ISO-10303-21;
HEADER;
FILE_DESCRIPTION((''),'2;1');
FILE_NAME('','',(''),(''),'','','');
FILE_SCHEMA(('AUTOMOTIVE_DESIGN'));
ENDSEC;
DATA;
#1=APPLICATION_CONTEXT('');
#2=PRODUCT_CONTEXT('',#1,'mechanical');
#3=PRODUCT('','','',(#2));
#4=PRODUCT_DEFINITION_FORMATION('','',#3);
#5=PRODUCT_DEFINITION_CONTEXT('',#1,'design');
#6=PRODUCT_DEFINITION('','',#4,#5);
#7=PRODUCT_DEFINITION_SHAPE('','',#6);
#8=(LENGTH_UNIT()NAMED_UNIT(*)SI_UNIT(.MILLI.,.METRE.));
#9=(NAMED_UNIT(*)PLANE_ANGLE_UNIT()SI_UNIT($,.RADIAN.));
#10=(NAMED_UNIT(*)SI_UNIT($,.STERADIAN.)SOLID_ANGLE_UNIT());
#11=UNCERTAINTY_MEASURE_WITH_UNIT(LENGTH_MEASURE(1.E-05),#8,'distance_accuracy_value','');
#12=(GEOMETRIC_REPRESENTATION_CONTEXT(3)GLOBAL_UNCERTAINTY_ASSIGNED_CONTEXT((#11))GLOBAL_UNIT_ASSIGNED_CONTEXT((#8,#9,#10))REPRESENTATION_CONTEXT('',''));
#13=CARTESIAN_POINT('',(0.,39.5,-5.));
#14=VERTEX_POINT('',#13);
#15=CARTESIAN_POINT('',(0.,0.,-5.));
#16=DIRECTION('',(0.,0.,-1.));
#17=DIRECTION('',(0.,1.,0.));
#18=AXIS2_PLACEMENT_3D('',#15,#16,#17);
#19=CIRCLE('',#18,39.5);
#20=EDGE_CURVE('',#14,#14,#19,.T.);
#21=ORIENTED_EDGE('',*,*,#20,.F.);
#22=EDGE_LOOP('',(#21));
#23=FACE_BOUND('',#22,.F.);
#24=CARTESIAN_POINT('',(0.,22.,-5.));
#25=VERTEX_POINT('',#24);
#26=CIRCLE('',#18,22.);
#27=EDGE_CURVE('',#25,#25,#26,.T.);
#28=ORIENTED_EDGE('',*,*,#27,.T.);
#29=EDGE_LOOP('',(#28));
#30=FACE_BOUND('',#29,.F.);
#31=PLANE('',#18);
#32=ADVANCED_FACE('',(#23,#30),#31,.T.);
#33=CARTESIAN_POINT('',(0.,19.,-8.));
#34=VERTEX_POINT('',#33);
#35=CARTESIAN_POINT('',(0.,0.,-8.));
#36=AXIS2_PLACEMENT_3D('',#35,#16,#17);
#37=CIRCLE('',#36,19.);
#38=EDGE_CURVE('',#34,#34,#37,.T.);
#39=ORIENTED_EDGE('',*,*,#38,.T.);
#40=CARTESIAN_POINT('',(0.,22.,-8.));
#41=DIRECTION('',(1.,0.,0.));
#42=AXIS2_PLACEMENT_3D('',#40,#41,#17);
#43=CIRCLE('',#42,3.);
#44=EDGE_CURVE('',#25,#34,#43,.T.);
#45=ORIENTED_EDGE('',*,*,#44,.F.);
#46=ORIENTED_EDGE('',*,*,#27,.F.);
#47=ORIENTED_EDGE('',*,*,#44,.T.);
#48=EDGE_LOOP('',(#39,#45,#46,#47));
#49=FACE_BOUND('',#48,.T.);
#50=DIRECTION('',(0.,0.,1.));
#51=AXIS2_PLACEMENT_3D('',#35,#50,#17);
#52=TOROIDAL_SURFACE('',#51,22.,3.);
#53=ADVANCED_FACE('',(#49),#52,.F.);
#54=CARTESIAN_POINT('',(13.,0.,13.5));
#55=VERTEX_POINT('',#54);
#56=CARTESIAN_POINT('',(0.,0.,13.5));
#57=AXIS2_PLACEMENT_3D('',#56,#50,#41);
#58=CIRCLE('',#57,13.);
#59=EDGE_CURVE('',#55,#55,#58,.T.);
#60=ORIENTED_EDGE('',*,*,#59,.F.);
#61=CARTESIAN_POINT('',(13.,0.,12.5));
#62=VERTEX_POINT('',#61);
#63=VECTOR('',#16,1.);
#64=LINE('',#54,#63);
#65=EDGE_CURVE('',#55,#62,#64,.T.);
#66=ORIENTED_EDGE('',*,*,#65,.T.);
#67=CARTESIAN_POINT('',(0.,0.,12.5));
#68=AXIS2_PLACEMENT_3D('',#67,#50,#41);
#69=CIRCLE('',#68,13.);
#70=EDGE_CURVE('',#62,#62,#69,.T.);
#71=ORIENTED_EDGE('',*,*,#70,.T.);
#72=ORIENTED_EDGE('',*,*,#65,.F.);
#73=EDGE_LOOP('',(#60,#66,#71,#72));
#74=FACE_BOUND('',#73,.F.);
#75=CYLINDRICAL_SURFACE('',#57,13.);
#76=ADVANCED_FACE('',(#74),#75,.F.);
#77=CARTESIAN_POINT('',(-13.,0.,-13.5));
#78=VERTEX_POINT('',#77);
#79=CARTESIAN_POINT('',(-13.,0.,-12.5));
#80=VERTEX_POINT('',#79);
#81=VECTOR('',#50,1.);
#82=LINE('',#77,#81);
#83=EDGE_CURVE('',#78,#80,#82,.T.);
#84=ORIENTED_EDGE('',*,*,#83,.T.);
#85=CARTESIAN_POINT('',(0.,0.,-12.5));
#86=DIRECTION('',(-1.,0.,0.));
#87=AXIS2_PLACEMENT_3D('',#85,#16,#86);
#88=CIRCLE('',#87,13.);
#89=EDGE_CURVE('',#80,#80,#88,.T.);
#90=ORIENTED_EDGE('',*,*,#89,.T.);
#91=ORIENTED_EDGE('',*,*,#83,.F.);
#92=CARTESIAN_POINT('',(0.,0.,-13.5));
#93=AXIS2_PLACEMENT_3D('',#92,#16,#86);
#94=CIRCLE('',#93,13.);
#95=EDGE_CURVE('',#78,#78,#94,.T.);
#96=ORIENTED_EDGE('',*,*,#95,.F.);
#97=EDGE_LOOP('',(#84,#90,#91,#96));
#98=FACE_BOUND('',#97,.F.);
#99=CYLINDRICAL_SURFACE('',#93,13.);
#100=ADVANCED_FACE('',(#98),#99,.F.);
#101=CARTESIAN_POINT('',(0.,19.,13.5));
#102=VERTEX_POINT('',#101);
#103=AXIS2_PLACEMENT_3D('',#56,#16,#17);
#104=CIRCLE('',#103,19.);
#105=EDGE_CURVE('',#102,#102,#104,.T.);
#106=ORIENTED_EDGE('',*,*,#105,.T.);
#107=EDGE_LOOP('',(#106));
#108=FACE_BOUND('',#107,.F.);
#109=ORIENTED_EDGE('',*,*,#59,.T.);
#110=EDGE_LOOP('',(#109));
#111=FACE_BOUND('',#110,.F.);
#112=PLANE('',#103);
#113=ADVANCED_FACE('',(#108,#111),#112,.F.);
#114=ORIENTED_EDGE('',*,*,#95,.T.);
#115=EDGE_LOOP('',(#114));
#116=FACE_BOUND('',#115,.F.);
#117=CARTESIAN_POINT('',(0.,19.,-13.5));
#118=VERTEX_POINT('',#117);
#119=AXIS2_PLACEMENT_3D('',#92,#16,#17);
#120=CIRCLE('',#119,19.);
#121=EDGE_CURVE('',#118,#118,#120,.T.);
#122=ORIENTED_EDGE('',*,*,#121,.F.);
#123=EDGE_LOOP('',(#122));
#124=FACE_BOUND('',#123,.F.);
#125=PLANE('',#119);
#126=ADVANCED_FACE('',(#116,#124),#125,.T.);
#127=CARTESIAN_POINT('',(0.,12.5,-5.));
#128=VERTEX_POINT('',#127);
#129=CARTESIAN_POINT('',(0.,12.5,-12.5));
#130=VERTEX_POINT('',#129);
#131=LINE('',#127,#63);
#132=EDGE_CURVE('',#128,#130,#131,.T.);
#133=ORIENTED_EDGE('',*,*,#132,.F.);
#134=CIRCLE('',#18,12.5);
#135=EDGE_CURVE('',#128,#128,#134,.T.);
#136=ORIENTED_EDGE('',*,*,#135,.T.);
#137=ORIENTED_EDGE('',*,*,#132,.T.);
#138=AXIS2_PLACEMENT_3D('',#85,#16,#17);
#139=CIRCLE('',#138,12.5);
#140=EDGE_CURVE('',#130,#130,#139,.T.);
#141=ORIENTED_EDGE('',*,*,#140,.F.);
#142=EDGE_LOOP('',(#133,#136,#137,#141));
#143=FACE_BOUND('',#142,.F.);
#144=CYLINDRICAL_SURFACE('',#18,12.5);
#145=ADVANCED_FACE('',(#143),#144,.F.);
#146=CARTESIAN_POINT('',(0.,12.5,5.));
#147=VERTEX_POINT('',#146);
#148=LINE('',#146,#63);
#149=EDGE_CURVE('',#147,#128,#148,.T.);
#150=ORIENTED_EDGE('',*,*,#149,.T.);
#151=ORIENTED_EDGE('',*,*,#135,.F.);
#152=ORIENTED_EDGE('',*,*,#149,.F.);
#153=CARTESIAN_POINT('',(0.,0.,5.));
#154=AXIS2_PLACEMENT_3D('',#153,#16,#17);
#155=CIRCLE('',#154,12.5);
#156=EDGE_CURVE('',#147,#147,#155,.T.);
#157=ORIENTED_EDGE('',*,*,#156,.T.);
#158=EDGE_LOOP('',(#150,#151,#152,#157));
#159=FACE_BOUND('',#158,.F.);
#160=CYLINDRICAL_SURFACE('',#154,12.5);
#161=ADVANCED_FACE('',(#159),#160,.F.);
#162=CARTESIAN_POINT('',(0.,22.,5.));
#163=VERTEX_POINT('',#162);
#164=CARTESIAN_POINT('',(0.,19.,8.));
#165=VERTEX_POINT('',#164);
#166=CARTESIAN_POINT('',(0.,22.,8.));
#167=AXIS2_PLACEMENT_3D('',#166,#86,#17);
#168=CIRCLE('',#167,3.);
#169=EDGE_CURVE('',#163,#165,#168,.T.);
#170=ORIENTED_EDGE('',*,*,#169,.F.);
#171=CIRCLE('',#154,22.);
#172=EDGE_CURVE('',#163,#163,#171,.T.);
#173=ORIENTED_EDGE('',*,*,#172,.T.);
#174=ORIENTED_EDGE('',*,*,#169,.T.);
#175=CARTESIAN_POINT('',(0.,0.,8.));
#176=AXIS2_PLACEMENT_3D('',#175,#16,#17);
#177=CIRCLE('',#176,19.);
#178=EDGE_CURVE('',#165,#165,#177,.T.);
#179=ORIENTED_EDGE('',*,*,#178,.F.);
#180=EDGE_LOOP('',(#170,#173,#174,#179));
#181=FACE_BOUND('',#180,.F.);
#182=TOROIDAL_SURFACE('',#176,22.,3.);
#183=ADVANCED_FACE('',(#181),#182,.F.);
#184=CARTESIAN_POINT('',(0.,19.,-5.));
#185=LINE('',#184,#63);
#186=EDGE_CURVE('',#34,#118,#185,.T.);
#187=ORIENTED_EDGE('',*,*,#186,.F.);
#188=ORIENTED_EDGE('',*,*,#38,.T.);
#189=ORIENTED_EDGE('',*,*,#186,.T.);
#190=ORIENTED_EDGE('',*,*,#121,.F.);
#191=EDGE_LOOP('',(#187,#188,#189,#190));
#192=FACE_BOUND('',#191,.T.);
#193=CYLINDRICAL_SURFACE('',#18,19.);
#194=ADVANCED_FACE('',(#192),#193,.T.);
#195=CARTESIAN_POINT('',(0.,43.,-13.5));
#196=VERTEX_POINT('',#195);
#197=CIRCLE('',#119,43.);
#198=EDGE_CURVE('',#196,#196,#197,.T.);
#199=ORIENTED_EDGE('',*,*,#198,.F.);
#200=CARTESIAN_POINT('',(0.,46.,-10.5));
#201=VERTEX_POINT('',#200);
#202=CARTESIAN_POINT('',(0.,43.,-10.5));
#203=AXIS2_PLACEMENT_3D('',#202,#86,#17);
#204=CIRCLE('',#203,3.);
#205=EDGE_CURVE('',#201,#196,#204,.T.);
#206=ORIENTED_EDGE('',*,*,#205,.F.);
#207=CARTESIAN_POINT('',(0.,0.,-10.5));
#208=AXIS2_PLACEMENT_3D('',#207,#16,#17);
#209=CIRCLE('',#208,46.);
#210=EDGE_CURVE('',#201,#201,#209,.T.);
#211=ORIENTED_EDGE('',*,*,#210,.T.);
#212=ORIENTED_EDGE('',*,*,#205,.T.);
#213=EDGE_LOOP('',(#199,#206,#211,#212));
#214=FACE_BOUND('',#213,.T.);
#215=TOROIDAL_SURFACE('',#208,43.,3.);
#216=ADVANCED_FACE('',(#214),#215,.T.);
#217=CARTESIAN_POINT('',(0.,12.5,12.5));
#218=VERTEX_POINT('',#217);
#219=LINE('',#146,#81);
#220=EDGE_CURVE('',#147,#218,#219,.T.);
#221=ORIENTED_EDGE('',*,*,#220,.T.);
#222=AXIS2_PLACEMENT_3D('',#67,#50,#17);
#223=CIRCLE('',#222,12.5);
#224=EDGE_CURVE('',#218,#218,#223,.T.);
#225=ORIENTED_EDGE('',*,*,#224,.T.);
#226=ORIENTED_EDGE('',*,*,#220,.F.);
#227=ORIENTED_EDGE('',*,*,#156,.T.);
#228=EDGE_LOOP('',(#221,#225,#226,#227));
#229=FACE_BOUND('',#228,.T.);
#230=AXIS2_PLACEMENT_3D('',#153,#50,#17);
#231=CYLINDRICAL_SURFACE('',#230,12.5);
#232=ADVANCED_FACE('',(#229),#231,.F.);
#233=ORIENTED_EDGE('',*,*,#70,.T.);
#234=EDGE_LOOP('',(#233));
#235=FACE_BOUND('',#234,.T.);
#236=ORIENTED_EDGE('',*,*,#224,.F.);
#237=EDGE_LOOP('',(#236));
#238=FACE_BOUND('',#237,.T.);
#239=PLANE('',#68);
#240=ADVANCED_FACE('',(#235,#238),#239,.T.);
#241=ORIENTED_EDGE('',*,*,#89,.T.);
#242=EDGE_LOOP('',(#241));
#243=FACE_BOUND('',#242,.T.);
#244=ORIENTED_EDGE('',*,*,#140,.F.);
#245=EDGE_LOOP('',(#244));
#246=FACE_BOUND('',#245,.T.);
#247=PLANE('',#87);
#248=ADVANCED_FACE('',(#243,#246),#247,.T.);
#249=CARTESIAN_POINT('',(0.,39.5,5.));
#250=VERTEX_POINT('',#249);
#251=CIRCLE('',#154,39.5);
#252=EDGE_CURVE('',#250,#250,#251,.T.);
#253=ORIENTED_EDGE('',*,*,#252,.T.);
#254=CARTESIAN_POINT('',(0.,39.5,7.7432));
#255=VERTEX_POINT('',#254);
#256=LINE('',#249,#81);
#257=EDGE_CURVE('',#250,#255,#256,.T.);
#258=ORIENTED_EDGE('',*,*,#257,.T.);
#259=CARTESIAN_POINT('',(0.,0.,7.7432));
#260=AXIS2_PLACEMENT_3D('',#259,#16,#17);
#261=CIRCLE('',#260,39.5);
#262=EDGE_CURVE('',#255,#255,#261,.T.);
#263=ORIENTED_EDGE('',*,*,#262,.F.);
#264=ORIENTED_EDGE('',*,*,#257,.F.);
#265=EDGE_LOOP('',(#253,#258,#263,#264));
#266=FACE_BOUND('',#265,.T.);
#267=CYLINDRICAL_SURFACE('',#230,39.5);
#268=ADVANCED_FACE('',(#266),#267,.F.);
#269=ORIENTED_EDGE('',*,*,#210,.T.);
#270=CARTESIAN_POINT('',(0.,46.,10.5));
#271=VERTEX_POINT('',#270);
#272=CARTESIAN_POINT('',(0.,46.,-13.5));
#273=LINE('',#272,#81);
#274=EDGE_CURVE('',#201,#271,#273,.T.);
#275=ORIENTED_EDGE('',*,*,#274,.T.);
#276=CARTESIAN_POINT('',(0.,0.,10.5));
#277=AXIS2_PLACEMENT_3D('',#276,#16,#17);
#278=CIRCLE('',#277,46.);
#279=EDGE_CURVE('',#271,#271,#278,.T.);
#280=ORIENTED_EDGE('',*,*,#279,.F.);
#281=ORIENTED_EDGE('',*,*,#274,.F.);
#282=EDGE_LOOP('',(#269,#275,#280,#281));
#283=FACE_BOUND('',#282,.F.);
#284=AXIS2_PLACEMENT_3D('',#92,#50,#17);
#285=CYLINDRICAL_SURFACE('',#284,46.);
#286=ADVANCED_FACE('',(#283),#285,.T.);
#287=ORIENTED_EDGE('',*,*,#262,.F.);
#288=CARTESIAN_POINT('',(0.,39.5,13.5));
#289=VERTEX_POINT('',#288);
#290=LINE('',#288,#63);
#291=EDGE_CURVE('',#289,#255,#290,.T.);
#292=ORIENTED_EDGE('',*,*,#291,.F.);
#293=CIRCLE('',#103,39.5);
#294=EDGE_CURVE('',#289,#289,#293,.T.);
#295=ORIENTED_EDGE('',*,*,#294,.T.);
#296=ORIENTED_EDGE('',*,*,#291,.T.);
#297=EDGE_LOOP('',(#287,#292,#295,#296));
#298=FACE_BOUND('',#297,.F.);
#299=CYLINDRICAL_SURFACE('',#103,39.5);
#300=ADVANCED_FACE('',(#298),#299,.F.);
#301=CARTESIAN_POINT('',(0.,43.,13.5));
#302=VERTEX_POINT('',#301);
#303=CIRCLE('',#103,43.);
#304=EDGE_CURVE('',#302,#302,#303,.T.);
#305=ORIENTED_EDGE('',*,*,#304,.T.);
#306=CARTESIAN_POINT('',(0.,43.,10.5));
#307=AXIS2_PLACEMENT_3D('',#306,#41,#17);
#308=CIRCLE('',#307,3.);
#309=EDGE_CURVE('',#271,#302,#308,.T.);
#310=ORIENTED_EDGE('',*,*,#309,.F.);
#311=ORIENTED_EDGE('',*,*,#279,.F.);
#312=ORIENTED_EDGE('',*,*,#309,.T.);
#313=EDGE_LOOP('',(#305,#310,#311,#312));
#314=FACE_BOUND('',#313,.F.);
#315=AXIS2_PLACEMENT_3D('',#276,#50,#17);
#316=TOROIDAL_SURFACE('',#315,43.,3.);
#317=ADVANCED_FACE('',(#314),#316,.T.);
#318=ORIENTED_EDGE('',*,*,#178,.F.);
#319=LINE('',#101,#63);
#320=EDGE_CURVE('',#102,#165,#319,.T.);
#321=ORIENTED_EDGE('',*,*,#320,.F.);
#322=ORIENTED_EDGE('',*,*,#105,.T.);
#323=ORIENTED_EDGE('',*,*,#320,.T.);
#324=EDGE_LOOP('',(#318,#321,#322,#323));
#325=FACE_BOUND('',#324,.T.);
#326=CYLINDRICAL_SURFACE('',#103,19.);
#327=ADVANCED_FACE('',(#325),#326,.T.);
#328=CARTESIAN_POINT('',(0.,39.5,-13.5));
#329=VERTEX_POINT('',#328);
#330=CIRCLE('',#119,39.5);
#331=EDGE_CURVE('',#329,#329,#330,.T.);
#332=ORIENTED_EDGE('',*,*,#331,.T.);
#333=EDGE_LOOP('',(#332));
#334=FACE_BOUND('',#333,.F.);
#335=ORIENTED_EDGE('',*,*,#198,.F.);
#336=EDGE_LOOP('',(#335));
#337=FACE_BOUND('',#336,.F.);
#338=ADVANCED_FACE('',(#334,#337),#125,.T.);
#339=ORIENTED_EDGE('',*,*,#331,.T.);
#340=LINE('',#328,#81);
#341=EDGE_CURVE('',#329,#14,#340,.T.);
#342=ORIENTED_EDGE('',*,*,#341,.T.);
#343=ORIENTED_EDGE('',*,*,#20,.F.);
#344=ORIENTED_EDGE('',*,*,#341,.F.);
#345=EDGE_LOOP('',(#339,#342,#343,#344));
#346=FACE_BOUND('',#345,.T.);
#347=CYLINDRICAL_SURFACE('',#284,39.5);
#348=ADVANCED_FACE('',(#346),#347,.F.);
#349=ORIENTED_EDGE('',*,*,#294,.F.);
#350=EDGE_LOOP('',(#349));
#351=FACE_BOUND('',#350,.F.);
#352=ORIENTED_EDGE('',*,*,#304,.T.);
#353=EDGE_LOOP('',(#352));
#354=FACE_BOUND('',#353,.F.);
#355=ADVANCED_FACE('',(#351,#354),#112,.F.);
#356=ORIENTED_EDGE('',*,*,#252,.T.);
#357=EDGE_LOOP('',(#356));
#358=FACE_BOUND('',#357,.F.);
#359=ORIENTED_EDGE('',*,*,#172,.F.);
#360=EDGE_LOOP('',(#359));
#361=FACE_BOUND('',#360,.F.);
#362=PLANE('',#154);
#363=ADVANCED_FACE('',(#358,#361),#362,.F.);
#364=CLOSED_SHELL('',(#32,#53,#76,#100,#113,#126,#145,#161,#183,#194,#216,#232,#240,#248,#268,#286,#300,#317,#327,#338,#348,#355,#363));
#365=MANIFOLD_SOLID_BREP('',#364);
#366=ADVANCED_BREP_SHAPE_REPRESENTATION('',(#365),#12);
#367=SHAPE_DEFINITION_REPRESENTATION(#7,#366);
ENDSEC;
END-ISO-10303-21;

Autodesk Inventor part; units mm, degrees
ref_plane "YZ Plane" through (0, 0, 0) normal (1, 0, 0) x (0, 1, 0)
ref_plane "XZ Plane" through (0, 0, 0) normal (0, 1, 0) x (-1, 0, 0)
ref_plane "XY Plane" through (0, 0, 0) normal (0, 0, 1) x (1, 0, 0)
sketch "스케치1" plane through (0, 0, 0) normal (1, 0, 0) x (0, 1, 0)
  line L0 (46, 13.5) -> (0, 13.5)
  line L1 (0, 13.5) -> (0, -13.5)
  line L2 (0, -13.5) -> (46, -13.5)
  line L3 (46, -13.5) -> (46, 13.5)
  line L4 (39.5, 13.5) -> (39.5, 7.7432)
  line L5 (39.5, 5) -> (19, 5)
  line L6 (12.5, 5) -> (12.5, -5)
  line L7 (19, -5) -> (39.5, -5)
  line L8 (46, -5) -> (46, 5)
  line L9 (12.5, 5) -> (12.5, 13.5)
  line L10 (12.5, -5) -> (12.5, -13.5)
  line L11 (19, 13.5) -> (19, 5)
  line L12 (19, -5) -> (19, -13.5)
  line L13 (39.5, 5) -> (39.5, 7.7432)
  line L14 (39.5, -13.5) -> (39.5, -5)
  point P0 (0, 0)
  dimension "d0" = 27
  dimension "d1" = 13.5
  dimension "d2" = 46
  dimension "d3" = 10
  dimension "d4" = 5
  dimension "d5" = 12.5
  dimension "d7" = 39.5
  dimension "d8" = 39.5
revolve "회전1" add sketch "스케치1" angle 360 about axis through (0, 0, 13.5) along (0, 0, -1) contours L3 L2 L14 L7 L12 L10 L6 L9 L0 L11 L5 L13 L4
sketch "스케치2" plane through (0, 0, 13.5) normal (0, 0, 1) x (1, 0, 0)
  circle A0 centre (0, 0) radius 13
  dimension "d10" = 26
extrude "돌출1" cut sketch "스케치2" against normal blind 1
sketch "스케치3" plane through (0, 0, -13.5) normal (0, 0, -1) x (-1, 0, 0)
  circle A0 centre (0, 0) radius 13
  dimension "d13" = 26
extrude "돌출2" cut sketch "스케치3" against normal blind 1
fillet "모깎기1" radius 3 4 edges at (0, -46, 13.5) (0, -46, -13.5) (0, -19, 5) (0, -19, -5)
properties part number "2"
